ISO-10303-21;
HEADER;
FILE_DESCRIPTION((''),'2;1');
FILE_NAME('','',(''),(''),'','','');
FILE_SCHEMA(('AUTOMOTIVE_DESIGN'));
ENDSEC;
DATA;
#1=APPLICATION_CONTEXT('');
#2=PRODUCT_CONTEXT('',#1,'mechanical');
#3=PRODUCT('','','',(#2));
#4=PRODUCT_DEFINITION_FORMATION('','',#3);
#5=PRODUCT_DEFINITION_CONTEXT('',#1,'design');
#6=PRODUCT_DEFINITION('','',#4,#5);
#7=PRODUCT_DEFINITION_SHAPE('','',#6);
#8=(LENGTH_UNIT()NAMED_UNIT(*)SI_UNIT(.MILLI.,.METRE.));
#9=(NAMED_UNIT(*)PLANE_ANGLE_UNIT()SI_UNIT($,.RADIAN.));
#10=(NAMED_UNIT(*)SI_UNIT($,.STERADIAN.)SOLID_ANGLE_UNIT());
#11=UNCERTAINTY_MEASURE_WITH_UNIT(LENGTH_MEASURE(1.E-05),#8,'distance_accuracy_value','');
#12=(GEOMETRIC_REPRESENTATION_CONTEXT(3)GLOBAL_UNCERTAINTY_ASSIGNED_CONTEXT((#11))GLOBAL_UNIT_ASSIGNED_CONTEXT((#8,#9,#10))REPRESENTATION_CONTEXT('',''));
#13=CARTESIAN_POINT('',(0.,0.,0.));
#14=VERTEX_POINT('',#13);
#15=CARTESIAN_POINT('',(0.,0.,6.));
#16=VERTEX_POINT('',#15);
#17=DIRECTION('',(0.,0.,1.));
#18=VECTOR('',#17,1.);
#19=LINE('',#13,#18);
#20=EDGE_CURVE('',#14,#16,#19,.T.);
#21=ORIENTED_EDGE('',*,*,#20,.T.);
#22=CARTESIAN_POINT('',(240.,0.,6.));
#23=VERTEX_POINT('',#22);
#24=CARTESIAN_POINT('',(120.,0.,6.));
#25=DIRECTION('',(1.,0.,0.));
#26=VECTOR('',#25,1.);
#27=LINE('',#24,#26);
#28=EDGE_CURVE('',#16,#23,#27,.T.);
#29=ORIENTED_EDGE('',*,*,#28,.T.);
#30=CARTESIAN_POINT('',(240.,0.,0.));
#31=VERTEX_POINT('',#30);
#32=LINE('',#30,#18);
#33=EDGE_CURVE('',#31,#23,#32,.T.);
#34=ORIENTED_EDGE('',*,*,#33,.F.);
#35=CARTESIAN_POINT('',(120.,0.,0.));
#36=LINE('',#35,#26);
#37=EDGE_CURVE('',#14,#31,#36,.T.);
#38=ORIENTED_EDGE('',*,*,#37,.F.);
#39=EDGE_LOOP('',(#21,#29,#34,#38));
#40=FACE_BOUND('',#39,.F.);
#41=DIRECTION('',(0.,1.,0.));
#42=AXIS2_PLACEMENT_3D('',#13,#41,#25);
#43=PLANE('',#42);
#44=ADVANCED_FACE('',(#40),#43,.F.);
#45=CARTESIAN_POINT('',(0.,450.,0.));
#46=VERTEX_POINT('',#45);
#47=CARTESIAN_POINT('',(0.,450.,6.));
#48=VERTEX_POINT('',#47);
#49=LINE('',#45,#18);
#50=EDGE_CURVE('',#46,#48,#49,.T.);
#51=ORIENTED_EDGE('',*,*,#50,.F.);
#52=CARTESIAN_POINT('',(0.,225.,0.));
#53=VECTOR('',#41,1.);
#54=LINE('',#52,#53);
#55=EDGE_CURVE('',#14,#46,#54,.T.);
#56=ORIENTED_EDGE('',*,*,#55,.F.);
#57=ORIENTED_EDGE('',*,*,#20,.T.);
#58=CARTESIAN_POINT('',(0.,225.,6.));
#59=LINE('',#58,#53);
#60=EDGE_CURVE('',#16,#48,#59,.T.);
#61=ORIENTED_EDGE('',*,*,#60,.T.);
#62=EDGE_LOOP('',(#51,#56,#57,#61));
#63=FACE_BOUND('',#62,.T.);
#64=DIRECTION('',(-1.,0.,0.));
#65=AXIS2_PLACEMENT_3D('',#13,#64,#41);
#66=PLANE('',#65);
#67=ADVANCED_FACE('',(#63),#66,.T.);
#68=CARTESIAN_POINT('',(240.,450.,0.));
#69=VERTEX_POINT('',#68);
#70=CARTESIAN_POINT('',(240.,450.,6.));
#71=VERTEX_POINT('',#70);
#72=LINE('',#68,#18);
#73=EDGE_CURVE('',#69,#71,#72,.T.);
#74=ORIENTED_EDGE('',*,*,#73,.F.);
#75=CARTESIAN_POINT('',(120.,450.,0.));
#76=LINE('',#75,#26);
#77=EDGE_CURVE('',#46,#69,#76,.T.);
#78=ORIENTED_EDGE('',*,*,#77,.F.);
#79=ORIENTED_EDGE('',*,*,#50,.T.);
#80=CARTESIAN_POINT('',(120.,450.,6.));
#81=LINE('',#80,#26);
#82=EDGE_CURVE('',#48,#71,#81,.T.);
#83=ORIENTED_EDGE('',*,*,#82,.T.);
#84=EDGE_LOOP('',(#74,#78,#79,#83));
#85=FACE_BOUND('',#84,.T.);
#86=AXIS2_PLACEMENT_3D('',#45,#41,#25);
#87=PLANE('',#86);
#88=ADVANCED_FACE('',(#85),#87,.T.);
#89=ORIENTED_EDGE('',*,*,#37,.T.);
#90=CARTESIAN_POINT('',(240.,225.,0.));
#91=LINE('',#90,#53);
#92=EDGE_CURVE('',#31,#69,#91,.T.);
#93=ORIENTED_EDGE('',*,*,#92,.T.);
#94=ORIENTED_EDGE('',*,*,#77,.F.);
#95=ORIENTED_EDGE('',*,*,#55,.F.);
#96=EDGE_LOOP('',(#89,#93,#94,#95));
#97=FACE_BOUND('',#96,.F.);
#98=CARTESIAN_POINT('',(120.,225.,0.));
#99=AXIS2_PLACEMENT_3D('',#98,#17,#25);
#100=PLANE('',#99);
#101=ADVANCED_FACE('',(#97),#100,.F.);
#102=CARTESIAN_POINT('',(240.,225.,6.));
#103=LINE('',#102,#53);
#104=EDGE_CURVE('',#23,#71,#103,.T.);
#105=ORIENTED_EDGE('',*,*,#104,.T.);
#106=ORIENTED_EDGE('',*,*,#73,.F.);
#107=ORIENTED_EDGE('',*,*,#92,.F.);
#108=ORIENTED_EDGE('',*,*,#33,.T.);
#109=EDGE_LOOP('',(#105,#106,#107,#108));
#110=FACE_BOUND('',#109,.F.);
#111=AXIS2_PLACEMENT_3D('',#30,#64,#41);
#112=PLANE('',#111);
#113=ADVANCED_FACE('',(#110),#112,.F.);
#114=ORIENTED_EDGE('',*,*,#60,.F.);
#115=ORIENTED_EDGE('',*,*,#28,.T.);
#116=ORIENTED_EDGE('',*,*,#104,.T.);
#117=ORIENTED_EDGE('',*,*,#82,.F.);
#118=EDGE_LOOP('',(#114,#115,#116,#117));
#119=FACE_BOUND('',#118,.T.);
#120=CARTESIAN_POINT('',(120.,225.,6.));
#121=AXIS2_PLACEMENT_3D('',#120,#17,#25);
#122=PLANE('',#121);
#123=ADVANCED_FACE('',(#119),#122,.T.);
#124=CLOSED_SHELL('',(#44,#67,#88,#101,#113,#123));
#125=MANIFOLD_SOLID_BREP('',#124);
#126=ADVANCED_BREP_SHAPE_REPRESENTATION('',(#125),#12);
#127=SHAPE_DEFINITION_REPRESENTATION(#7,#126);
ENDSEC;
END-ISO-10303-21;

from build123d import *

# Parameters (mm, degrees)
SKETCH_W  = 240
SKETCH_H  = 450
PAD_DEPTH = 6


with BuildPart() as part:
    # Sketch → Pad (new body)
    with BuildSketch(Plane.XY):
        with Locations((120, 225)):
            Rectangle(SKETCH_W, SKETCH_H)
    extrude(amount=PAD_DEPTH)


solid = part.part
